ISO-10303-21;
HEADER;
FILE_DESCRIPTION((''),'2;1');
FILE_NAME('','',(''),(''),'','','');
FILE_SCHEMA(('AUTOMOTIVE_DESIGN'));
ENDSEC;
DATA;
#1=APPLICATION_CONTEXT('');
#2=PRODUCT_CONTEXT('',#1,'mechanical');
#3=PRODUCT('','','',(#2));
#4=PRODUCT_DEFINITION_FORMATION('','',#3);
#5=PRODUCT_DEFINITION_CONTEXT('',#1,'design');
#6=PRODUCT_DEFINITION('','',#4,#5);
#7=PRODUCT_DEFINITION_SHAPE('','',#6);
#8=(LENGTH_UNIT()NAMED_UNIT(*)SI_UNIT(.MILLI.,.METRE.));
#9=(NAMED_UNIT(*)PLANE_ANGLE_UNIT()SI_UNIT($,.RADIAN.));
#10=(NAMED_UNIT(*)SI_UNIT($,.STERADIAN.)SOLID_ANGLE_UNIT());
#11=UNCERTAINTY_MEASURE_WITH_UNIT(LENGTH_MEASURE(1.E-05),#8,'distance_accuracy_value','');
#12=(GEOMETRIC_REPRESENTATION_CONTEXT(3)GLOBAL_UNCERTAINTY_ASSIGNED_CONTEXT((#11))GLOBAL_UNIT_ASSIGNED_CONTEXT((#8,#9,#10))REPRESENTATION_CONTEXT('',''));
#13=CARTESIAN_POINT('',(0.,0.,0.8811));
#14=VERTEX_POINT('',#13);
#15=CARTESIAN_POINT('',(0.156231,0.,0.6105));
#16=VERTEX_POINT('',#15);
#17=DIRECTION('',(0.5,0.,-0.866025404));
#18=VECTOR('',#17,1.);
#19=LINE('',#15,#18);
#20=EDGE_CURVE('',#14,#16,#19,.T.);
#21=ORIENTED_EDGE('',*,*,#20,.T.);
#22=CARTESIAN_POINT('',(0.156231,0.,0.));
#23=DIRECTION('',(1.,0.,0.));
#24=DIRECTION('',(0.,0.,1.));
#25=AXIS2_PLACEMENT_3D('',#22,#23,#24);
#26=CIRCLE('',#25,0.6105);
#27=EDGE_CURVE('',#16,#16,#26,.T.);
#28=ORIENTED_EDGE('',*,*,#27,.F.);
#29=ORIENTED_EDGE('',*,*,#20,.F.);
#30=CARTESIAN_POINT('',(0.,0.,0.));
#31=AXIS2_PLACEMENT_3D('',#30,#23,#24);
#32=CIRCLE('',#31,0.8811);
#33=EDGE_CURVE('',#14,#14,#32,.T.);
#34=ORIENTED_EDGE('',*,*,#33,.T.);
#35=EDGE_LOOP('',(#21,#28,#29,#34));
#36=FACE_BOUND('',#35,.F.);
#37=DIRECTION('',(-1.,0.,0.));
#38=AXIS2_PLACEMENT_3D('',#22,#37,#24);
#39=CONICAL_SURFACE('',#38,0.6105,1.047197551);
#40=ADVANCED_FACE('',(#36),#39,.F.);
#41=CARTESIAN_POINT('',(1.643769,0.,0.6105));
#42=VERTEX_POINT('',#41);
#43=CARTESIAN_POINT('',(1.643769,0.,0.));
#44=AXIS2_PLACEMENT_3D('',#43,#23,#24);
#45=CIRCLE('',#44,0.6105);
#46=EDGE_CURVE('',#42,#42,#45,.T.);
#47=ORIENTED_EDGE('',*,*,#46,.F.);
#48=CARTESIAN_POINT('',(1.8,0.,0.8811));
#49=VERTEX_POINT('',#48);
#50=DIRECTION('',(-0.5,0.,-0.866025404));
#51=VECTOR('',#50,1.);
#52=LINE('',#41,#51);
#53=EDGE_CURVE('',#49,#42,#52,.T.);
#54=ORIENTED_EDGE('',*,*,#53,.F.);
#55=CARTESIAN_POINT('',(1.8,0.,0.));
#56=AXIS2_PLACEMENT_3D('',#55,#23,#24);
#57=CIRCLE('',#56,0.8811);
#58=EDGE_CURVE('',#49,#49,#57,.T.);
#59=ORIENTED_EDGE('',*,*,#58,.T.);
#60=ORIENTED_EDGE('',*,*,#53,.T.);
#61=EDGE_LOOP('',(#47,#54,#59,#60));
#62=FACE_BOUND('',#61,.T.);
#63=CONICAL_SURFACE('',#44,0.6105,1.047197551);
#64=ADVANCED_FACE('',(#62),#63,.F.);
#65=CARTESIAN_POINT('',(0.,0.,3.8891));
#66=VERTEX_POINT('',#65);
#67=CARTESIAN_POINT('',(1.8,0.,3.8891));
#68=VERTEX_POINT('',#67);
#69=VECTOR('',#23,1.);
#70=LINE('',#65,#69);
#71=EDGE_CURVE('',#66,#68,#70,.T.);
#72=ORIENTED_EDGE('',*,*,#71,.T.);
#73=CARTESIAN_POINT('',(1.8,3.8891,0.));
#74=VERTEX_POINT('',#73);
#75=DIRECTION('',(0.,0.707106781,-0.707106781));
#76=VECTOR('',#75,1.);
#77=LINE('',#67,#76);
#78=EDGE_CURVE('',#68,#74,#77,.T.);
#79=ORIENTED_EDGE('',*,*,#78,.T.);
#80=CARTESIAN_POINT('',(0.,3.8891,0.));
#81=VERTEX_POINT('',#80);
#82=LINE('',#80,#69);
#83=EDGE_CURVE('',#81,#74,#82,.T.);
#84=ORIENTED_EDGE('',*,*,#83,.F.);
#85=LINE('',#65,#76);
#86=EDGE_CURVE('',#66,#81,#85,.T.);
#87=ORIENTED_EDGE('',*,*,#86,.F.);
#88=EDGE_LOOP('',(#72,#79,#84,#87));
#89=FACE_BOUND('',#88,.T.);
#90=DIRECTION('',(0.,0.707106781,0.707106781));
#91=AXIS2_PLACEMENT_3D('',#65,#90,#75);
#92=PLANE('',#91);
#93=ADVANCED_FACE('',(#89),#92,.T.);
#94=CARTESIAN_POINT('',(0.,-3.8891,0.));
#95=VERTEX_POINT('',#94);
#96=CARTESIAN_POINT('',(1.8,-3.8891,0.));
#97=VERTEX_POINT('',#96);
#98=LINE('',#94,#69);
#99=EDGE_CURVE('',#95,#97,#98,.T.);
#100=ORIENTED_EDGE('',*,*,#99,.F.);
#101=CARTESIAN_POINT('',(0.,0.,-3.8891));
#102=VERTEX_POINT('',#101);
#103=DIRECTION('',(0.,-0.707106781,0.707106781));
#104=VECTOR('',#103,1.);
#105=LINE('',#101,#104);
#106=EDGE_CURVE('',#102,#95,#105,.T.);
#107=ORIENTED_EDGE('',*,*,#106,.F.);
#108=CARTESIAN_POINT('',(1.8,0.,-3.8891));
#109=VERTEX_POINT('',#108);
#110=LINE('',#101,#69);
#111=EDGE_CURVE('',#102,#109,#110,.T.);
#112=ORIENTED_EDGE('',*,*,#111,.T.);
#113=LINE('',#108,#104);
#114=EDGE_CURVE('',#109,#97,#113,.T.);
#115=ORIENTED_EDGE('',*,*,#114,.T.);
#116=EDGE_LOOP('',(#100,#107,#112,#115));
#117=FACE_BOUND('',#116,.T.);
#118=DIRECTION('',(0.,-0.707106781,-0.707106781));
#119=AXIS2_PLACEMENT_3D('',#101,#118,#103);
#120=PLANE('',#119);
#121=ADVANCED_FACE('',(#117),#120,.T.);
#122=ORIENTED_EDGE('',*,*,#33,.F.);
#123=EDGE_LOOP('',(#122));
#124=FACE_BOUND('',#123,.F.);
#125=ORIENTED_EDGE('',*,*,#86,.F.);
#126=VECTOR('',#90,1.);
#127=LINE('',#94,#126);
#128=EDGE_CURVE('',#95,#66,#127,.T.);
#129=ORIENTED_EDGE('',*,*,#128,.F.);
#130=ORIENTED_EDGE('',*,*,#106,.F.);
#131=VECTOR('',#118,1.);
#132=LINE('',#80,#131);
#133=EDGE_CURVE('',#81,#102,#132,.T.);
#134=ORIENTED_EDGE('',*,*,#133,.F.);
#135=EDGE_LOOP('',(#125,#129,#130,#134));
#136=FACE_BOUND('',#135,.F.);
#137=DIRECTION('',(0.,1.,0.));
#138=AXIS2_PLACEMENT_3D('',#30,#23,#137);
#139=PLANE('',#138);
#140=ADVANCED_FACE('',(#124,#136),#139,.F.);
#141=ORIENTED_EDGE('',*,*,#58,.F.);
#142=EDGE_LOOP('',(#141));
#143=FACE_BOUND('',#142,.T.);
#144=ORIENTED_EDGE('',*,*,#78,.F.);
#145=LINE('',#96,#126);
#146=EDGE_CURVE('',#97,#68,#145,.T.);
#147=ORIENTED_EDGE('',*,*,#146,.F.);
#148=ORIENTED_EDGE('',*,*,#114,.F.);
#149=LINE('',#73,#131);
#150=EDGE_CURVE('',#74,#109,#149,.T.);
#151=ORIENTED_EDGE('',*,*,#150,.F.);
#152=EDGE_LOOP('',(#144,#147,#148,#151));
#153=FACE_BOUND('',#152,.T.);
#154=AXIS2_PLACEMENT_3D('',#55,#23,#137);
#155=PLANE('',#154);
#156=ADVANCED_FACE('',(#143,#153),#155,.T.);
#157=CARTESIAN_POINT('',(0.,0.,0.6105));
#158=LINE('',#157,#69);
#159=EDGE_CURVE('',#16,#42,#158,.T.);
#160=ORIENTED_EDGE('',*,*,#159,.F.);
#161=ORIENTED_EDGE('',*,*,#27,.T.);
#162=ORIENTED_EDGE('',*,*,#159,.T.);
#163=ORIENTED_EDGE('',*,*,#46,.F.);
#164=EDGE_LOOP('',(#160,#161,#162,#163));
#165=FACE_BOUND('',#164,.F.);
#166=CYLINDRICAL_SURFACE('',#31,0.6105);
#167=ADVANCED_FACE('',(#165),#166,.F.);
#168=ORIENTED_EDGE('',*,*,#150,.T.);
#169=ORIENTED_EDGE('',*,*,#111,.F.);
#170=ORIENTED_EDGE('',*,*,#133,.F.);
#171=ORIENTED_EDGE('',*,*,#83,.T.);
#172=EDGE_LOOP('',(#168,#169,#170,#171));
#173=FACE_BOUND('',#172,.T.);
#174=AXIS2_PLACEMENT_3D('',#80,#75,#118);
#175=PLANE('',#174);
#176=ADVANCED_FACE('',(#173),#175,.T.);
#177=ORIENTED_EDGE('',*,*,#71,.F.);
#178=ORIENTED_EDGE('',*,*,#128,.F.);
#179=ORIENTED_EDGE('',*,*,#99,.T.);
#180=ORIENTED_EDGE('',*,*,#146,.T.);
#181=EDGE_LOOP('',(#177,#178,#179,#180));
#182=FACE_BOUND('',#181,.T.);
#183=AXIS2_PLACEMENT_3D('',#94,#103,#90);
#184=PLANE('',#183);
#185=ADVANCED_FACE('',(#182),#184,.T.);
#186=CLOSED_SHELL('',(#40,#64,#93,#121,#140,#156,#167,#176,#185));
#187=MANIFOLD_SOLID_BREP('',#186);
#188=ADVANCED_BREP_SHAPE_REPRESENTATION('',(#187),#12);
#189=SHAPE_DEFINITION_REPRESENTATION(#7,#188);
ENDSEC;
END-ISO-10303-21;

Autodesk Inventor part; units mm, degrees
ref_plane "YZ Plane" through (0, 0, 0) normal (1, 0, 0) x (0, 1, 0)
ref_plane "XZ Plane" through (0, 0, 0) normal (0, 1, 0) x (-1, 0, 0)
sketch "Sketch1" plane through (0, 0, 0) normal (1, 0, 0) x (0, 1, 0)
  line L0 (0, -3.8891) -> (-3.8891, 0)
  line L1 (-3.8891, 0) -> (0, 3.8891)
  line L2 (0, 3.8891) -> (3.8891, 0)
  line L3 (3.8891, 0) -> (0, -3.8891)
  line L4 (-3.1678, 0) -> (3.1678, 0) projected
  point P0 (0, 0)
  point P1 (0, 0)
  dimension "d0" = 7.7782
extrude "Body" add sketch "Sketch1" along normal blind 1.8
sketch "Sketch2" plane through (0, 0, 0) normal (-1, 0, 0) x (0, 0, 1)
  point P0 (0, 0)
  point P1 (0, 0)
hole "Thread" at (0, 0, 0) direction (1, 0, 0) diameter 1.221 end through all thread size "M1.6x0.35" class "6H" standard "ANSI Metric M Profile"
chamfer "Chamfer1" distance 0.2706 angle 30 1 edges at (0, 0, -0.6105) measured on face at (0, -1.4313, 1.4487)
chamfer "Chamfer2" distance 0.2706 angle 30 1 edges at (1.8, 0, -0.6105) measured on face at (1.8, -1.4313, 1.4487)
ref_plane "Work Plane1" through (11.1463, 0, 0) normal (0, 0.7071, -0.7071) x (-1, 0, 0)
equation "\"d0\" = 1.41421 * SW"
equation "\"d1\" = KOH"
equation "\"d3\" = -0.5 * GD1 + 0.5 * NND"
equation "\"d35\" = -0.5 * GD1 + 0.5 * NND"
equation "\"d5\" = -0.5 * GD1 + 0.5 * NND"
equation "\"d36\" = -0.5 * GD1 + 0.5 * NND"
equation "\"NND\" = 3"
equation "\"KOH\" = 1.8"
equation "\"SW\" = 5.5"
equation "\"GUL\" = 0.541266 * PTC"
equation "\"THREADDIA\" = 3"
equation "\"TOA\" = 30deg"
equation "\"PTC\" = 0.5"
equation "\"E0\" = 7"
equation "\"GAL\" = 0.541266 * PTC"
equation "\"GD1\" = 2.458734"
properties part number "DIN 562 - M3" material "Steel, Mild"
